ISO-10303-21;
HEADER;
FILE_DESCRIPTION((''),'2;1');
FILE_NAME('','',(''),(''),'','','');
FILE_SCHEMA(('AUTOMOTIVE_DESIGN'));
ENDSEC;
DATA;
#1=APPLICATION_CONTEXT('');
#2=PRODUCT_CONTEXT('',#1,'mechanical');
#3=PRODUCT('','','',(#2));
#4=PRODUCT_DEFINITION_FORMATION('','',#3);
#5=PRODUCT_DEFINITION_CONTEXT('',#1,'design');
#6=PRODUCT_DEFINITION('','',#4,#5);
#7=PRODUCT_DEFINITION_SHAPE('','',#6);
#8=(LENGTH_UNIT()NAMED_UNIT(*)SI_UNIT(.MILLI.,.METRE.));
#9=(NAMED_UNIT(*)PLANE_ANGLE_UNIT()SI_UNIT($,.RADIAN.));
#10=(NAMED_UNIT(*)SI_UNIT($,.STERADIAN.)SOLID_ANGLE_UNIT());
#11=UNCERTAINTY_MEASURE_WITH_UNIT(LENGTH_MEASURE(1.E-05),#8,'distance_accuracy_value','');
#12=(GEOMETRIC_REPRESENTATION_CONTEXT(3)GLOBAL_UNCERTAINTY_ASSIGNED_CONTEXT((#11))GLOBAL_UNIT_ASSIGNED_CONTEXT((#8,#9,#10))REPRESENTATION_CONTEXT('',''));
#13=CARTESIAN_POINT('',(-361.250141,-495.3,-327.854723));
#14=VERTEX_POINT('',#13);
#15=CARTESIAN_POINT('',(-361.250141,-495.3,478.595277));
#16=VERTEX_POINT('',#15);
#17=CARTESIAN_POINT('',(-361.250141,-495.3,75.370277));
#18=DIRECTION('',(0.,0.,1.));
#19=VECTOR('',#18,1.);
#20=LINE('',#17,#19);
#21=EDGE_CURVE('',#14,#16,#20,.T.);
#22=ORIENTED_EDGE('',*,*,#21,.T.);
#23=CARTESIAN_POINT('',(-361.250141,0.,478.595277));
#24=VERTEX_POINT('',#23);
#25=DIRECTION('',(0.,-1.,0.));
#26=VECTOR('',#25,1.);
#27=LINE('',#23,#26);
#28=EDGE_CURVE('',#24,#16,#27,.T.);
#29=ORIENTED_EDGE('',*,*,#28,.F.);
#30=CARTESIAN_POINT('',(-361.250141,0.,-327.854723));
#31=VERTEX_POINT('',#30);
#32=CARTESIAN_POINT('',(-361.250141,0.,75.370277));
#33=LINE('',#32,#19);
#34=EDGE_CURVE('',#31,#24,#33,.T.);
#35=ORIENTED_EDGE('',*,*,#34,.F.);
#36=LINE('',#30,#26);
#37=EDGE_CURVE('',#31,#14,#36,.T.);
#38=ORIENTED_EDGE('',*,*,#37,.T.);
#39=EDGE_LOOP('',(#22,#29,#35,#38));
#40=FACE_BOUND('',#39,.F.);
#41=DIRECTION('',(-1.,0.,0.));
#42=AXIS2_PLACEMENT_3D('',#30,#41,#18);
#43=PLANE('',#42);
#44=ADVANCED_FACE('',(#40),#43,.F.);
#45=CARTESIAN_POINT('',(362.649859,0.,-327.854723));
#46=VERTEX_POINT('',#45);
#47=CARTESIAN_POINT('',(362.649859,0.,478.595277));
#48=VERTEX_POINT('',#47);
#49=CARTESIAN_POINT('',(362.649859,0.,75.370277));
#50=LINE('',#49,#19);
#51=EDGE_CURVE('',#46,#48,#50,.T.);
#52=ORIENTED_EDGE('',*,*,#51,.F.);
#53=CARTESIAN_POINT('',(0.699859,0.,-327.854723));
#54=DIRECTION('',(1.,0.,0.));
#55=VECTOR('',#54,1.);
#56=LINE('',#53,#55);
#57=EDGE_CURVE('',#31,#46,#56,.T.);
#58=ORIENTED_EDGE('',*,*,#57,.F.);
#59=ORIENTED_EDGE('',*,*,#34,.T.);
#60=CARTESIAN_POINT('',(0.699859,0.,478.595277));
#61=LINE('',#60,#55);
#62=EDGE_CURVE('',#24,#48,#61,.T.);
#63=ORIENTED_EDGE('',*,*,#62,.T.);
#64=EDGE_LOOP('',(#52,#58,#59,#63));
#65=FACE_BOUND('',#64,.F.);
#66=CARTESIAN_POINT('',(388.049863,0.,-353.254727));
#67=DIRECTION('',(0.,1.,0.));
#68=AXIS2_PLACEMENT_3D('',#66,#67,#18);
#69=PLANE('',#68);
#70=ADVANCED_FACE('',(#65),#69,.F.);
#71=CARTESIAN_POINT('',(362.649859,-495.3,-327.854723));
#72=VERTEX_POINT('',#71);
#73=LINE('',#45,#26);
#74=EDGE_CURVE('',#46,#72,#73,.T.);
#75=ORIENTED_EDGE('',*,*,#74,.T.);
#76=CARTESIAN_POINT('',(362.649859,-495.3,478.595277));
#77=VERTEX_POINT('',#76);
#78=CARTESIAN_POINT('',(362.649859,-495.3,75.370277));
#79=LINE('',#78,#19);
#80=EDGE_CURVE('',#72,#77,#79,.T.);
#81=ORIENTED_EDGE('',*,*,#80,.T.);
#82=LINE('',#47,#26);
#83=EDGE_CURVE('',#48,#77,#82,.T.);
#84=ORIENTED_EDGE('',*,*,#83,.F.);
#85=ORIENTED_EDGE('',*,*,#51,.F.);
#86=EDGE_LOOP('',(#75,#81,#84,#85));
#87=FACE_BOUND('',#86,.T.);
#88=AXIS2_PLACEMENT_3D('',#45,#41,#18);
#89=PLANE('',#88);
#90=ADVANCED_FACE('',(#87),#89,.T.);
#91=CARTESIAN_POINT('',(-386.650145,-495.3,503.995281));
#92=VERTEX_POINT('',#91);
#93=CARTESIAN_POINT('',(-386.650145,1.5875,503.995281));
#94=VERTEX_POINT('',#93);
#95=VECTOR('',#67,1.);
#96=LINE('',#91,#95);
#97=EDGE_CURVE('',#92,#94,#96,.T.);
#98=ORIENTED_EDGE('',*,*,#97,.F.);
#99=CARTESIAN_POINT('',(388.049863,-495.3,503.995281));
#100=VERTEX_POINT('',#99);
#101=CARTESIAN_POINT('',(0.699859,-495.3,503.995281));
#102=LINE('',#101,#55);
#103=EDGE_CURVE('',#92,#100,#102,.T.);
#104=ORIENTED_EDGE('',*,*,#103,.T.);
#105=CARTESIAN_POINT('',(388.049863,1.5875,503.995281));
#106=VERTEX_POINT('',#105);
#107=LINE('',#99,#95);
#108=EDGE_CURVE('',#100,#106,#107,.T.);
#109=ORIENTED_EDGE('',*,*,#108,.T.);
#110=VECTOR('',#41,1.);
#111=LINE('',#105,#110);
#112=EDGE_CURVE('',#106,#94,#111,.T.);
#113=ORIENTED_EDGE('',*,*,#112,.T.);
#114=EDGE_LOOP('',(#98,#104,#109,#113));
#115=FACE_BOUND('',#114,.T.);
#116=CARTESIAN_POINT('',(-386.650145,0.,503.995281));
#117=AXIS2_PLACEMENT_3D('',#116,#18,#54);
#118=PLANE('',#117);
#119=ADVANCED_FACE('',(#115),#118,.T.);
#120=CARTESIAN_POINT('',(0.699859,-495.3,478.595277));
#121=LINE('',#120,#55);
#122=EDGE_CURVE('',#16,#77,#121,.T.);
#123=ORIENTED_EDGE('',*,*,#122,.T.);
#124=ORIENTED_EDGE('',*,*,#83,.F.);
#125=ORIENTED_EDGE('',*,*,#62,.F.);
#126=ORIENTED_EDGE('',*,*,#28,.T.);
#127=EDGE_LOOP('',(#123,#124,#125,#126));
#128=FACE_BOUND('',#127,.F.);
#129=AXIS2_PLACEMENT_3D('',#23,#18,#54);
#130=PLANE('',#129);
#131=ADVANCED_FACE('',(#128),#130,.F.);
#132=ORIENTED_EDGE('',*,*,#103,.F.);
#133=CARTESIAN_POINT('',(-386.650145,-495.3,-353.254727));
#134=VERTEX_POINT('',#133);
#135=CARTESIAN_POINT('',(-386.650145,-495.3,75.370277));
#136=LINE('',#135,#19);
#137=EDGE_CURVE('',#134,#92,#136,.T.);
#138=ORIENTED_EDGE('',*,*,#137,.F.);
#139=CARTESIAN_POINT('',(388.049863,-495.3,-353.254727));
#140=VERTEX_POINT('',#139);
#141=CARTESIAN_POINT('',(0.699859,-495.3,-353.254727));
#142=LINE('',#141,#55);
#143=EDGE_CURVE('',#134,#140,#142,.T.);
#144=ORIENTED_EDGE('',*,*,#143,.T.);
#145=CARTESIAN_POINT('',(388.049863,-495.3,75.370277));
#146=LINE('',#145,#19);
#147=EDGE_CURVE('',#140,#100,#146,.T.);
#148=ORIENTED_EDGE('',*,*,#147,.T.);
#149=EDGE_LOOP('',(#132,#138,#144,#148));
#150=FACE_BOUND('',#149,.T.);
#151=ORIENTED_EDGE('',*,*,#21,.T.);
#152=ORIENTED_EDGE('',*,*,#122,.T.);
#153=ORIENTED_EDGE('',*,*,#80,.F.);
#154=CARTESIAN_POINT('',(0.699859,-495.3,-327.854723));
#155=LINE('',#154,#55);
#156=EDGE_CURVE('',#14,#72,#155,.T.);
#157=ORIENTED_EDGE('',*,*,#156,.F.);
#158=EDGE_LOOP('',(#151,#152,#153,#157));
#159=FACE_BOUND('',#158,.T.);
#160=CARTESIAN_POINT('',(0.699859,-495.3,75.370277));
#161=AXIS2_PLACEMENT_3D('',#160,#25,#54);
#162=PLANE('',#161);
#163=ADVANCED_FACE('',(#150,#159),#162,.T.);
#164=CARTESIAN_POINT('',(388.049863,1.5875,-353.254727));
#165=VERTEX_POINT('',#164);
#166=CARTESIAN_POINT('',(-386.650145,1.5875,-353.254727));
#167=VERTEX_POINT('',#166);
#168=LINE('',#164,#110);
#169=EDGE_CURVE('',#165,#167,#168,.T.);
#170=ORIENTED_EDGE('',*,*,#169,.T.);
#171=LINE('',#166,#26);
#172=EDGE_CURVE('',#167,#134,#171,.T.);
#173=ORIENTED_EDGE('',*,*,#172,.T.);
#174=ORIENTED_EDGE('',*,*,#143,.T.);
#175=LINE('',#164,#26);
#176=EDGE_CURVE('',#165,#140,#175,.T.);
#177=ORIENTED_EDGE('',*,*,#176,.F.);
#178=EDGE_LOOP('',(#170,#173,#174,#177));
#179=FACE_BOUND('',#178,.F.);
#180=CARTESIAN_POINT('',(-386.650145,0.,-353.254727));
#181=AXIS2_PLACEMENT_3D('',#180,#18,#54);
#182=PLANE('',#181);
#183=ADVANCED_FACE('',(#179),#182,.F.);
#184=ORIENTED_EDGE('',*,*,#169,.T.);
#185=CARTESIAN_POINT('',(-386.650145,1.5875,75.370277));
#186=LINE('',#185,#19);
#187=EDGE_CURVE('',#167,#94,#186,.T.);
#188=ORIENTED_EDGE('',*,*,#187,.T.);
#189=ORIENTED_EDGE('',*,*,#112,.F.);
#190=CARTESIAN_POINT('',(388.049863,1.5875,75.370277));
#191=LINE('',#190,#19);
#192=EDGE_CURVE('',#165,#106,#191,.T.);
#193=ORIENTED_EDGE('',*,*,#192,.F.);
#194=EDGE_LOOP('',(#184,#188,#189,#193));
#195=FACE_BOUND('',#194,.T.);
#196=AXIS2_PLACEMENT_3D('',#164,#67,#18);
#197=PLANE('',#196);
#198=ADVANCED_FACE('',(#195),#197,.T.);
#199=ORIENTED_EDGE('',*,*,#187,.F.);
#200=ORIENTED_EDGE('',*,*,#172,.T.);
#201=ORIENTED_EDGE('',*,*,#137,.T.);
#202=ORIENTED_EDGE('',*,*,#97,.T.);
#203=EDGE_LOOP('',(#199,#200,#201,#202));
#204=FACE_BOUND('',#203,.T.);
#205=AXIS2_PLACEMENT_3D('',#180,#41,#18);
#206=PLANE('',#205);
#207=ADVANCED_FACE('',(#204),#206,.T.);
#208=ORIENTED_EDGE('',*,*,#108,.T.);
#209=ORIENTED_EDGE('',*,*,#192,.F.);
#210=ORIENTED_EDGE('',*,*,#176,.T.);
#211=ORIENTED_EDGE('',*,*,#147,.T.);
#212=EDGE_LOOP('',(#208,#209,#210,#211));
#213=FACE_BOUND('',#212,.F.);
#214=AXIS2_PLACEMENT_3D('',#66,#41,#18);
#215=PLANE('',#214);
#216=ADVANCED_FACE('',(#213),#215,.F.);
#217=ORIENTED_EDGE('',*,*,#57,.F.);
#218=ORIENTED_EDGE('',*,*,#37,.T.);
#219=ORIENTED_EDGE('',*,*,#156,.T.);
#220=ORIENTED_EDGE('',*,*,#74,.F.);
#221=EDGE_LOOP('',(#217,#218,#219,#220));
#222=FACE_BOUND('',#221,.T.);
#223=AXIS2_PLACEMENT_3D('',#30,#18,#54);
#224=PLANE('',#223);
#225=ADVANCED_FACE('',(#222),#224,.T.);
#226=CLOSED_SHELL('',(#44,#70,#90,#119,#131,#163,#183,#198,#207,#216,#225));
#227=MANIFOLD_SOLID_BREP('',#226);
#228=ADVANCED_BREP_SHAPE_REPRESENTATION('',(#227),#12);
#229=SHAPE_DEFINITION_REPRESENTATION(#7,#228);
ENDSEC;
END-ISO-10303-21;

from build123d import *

# Parameters (mm, degrees)
F0_W     = 774.700008
F0_H     = 857.250008
F0_W_2   = 723.9
F0_H_2   = 806.45
F1_DEPTH = 495.3
F2_W     = 1.5875
F2_H     = 857.250008
F3_DEPTH = 774.700008


with BuildPart() as f1:
    # F0 (on Front) → F1 (new body)
    with BuildSketch(Plane.XZ):
        with Locations((0.699859, 75.370277)):
            Rectangle(F0_W, F0_H)
        with Locations((0.699859, 75.370277)):
            Rectangle(F0_W_2, F0_H_2, mode=Mode.SUBTRACT)
    extrude(amount=F1_DEPTH)

    # F2 (on face) → F3 (join, through all)
    with BuildSketch(Plane.YZ.offset(388.049863)):
        with Locations((0.79375, 75.370277)):
            Rectangle(F2_W, F2_H)
    extrude(amount=-F3_DEPTH)


solid = f1.part
